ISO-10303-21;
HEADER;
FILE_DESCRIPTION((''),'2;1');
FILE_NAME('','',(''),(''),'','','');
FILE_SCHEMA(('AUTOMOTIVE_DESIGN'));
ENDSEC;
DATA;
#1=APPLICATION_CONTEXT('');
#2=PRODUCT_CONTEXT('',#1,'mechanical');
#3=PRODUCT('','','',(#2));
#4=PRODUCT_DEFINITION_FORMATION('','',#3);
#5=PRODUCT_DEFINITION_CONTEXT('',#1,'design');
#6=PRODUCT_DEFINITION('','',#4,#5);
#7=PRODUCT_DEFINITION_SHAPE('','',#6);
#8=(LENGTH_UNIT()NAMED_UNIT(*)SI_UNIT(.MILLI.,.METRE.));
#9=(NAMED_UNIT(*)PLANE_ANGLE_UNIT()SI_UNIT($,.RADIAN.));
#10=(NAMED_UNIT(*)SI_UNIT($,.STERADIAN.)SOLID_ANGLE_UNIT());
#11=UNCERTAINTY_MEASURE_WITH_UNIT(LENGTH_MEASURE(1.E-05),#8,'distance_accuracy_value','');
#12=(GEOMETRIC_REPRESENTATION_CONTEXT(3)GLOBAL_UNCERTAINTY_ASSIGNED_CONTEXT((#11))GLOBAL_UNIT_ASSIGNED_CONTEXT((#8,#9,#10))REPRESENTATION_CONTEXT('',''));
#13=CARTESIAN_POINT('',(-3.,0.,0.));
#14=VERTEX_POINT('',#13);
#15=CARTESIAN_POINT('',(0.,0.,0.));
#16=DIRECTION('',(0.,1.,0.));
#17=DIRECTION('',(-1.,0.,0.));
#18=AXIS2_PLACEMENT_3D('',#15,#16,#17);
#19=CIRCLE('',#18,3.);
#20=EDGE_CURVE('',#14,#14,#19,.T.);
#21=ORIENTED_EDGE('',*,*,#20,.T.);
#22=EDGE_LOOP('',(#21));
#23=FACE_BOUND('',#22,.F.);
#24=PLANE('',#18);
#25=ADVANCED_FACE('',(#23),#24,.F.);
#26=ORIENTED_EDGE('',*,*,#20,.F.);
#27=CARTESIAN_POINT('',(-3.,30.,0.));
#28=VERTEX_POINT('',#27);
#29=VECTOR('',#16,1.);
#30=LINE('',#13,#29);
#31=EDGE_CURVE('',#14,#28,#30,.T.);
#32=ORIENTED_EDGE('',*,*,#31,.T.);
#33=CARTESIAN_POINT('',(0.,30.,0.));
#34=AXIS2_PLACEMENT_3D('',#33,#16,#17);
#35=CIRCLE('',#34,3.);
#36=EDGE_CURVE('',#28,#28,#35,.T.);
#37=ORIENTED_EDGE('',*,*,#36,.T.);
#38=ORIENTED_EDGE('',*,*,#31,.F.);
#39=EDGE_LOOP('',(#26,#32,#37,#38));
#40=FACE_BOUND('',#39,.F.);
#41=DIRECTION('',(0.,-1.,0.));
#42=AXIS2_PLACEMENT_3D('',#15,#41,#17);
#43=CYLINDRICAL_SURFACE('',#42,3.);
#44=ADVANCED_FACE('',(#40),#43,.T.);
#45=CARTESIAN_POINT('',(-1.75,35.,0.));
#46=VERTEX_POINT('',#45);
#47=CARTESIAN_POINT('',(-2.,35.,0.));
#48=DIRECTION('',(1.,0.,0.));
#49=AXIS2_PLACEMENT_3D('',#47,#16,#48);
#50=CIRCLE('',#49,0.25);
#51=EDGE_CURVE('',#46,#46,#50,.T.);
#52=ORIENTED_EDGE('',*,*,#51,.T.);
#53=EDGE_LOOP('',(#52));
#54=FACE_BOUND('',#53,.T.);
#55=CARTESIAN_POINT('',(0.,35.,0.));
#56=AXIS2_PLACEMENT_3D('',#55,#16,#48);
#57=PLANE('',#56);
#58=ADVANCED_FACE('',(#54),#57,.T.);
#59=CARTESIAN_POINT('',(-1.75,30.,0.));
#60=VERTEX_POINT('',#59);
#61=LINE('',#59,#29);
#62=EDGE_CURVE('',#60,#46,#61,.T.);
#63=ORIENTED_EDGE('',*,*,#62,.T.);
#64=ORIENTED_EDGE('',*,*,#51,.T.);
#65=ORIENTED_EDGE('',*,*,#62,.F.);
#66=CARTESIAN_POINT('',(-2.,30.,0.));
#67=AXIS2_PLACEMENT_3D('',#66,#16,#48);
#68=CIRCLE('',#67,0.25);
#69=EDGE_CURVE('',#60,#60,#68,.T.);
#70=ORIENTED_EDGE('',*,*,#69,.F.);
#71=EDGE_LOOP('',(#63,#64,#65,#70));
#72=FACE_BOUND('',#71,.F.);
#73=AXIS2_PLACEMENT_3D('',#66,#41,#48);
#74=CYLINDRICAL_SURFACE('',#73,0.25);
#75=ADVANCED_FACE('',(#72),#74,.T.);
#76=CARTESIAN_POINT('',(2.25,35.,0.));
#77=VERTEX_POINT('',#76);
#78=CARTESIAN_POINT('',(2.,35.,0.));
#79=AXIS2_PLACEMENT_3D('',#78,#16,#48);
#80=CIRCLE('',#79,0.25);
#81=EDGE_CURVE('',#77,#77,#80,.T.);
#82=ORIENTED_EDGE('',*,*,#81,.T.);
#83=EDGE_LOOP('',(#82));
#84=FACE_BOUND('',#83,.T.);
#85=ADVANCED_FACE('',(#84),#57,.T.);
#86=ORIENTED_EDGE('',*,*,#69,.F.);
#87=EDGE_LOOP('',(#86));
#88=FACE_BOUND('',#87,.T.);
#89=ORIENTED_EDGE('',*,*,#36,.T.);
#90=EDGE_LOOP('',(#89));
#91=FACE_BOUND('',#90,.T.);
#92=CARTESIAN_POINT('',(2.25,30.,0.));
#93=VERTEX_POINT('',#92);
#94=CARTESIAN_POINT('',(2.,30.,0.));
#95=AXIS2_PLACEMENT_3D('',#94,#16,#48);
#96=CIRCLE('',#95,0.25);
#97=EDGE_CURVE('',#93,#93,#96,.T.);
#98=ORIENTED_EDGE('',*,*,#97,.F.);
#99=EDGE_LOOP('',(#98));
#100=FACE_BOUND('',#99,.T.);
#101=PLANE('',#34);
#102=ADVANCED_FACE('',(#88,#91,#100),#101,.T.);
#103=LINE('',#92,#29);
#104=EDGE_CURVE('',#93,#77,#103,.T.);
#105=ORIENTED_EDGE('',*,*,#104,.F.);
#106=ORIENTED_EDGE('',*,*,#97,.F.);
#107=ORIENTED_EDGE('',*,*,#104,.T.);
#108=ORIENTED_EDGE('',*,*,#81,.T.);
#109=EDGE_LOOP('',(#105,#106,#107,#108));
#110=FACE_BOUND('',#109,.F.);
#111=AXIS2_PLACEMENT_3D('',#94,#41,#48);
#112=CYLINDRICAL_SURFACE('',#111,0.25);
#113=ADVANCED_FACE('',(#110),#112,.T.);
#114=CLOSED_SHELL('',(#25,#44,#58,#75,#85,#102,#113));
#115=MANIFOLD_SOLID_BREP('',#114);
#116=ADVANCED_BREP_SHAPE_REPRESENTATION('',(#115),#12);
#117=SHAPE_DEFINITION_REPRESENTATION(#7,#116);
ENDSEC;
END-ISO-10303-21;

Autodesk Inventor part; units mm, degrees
ref_plane "YZ Plane" through (0, 0, 0) normal (1, 0, 0) x (0, 1, 0)
ref_plane "XZ Plane" through (0, 0, 0) normal (0, 1, 0) x (-1, 0, 0)
ref_plane "XY Plane" through (0, 0, 0) normal (0, 0, 1) x (1, 0, 0)
sketch "Sketch1" plane through (0, 0, 0) normal (0, 1, 0) x (-1, 0, 0)
  circle A0 centre (0, 0) radius 3
  dimension "d0" = 6
extrude "Extrusion1" add sketch "Sketch1" along normal blind 30
sketch "Sketch2" plane through (0, 30, 0) normal (0, 1, 0) x (1, 0, 0)
  circle A0 centre (0, 0) radius 3 construction
  line L0 (0, 3) -> (0, -3) construction
  line L1 (-3, 0) -> (3, 0) construction
  circle A1 centre (-2, 0) radius 0.25
  circle A2 centre (2, 0) radius 0.25
  dimension "d4" = 0.5
  dimension "d" = 2
  dimension "d6" = 4
extrude "Extrusion2" add sketch "Sketch2" along normal blind 5
properties part number "tds-sensor"
